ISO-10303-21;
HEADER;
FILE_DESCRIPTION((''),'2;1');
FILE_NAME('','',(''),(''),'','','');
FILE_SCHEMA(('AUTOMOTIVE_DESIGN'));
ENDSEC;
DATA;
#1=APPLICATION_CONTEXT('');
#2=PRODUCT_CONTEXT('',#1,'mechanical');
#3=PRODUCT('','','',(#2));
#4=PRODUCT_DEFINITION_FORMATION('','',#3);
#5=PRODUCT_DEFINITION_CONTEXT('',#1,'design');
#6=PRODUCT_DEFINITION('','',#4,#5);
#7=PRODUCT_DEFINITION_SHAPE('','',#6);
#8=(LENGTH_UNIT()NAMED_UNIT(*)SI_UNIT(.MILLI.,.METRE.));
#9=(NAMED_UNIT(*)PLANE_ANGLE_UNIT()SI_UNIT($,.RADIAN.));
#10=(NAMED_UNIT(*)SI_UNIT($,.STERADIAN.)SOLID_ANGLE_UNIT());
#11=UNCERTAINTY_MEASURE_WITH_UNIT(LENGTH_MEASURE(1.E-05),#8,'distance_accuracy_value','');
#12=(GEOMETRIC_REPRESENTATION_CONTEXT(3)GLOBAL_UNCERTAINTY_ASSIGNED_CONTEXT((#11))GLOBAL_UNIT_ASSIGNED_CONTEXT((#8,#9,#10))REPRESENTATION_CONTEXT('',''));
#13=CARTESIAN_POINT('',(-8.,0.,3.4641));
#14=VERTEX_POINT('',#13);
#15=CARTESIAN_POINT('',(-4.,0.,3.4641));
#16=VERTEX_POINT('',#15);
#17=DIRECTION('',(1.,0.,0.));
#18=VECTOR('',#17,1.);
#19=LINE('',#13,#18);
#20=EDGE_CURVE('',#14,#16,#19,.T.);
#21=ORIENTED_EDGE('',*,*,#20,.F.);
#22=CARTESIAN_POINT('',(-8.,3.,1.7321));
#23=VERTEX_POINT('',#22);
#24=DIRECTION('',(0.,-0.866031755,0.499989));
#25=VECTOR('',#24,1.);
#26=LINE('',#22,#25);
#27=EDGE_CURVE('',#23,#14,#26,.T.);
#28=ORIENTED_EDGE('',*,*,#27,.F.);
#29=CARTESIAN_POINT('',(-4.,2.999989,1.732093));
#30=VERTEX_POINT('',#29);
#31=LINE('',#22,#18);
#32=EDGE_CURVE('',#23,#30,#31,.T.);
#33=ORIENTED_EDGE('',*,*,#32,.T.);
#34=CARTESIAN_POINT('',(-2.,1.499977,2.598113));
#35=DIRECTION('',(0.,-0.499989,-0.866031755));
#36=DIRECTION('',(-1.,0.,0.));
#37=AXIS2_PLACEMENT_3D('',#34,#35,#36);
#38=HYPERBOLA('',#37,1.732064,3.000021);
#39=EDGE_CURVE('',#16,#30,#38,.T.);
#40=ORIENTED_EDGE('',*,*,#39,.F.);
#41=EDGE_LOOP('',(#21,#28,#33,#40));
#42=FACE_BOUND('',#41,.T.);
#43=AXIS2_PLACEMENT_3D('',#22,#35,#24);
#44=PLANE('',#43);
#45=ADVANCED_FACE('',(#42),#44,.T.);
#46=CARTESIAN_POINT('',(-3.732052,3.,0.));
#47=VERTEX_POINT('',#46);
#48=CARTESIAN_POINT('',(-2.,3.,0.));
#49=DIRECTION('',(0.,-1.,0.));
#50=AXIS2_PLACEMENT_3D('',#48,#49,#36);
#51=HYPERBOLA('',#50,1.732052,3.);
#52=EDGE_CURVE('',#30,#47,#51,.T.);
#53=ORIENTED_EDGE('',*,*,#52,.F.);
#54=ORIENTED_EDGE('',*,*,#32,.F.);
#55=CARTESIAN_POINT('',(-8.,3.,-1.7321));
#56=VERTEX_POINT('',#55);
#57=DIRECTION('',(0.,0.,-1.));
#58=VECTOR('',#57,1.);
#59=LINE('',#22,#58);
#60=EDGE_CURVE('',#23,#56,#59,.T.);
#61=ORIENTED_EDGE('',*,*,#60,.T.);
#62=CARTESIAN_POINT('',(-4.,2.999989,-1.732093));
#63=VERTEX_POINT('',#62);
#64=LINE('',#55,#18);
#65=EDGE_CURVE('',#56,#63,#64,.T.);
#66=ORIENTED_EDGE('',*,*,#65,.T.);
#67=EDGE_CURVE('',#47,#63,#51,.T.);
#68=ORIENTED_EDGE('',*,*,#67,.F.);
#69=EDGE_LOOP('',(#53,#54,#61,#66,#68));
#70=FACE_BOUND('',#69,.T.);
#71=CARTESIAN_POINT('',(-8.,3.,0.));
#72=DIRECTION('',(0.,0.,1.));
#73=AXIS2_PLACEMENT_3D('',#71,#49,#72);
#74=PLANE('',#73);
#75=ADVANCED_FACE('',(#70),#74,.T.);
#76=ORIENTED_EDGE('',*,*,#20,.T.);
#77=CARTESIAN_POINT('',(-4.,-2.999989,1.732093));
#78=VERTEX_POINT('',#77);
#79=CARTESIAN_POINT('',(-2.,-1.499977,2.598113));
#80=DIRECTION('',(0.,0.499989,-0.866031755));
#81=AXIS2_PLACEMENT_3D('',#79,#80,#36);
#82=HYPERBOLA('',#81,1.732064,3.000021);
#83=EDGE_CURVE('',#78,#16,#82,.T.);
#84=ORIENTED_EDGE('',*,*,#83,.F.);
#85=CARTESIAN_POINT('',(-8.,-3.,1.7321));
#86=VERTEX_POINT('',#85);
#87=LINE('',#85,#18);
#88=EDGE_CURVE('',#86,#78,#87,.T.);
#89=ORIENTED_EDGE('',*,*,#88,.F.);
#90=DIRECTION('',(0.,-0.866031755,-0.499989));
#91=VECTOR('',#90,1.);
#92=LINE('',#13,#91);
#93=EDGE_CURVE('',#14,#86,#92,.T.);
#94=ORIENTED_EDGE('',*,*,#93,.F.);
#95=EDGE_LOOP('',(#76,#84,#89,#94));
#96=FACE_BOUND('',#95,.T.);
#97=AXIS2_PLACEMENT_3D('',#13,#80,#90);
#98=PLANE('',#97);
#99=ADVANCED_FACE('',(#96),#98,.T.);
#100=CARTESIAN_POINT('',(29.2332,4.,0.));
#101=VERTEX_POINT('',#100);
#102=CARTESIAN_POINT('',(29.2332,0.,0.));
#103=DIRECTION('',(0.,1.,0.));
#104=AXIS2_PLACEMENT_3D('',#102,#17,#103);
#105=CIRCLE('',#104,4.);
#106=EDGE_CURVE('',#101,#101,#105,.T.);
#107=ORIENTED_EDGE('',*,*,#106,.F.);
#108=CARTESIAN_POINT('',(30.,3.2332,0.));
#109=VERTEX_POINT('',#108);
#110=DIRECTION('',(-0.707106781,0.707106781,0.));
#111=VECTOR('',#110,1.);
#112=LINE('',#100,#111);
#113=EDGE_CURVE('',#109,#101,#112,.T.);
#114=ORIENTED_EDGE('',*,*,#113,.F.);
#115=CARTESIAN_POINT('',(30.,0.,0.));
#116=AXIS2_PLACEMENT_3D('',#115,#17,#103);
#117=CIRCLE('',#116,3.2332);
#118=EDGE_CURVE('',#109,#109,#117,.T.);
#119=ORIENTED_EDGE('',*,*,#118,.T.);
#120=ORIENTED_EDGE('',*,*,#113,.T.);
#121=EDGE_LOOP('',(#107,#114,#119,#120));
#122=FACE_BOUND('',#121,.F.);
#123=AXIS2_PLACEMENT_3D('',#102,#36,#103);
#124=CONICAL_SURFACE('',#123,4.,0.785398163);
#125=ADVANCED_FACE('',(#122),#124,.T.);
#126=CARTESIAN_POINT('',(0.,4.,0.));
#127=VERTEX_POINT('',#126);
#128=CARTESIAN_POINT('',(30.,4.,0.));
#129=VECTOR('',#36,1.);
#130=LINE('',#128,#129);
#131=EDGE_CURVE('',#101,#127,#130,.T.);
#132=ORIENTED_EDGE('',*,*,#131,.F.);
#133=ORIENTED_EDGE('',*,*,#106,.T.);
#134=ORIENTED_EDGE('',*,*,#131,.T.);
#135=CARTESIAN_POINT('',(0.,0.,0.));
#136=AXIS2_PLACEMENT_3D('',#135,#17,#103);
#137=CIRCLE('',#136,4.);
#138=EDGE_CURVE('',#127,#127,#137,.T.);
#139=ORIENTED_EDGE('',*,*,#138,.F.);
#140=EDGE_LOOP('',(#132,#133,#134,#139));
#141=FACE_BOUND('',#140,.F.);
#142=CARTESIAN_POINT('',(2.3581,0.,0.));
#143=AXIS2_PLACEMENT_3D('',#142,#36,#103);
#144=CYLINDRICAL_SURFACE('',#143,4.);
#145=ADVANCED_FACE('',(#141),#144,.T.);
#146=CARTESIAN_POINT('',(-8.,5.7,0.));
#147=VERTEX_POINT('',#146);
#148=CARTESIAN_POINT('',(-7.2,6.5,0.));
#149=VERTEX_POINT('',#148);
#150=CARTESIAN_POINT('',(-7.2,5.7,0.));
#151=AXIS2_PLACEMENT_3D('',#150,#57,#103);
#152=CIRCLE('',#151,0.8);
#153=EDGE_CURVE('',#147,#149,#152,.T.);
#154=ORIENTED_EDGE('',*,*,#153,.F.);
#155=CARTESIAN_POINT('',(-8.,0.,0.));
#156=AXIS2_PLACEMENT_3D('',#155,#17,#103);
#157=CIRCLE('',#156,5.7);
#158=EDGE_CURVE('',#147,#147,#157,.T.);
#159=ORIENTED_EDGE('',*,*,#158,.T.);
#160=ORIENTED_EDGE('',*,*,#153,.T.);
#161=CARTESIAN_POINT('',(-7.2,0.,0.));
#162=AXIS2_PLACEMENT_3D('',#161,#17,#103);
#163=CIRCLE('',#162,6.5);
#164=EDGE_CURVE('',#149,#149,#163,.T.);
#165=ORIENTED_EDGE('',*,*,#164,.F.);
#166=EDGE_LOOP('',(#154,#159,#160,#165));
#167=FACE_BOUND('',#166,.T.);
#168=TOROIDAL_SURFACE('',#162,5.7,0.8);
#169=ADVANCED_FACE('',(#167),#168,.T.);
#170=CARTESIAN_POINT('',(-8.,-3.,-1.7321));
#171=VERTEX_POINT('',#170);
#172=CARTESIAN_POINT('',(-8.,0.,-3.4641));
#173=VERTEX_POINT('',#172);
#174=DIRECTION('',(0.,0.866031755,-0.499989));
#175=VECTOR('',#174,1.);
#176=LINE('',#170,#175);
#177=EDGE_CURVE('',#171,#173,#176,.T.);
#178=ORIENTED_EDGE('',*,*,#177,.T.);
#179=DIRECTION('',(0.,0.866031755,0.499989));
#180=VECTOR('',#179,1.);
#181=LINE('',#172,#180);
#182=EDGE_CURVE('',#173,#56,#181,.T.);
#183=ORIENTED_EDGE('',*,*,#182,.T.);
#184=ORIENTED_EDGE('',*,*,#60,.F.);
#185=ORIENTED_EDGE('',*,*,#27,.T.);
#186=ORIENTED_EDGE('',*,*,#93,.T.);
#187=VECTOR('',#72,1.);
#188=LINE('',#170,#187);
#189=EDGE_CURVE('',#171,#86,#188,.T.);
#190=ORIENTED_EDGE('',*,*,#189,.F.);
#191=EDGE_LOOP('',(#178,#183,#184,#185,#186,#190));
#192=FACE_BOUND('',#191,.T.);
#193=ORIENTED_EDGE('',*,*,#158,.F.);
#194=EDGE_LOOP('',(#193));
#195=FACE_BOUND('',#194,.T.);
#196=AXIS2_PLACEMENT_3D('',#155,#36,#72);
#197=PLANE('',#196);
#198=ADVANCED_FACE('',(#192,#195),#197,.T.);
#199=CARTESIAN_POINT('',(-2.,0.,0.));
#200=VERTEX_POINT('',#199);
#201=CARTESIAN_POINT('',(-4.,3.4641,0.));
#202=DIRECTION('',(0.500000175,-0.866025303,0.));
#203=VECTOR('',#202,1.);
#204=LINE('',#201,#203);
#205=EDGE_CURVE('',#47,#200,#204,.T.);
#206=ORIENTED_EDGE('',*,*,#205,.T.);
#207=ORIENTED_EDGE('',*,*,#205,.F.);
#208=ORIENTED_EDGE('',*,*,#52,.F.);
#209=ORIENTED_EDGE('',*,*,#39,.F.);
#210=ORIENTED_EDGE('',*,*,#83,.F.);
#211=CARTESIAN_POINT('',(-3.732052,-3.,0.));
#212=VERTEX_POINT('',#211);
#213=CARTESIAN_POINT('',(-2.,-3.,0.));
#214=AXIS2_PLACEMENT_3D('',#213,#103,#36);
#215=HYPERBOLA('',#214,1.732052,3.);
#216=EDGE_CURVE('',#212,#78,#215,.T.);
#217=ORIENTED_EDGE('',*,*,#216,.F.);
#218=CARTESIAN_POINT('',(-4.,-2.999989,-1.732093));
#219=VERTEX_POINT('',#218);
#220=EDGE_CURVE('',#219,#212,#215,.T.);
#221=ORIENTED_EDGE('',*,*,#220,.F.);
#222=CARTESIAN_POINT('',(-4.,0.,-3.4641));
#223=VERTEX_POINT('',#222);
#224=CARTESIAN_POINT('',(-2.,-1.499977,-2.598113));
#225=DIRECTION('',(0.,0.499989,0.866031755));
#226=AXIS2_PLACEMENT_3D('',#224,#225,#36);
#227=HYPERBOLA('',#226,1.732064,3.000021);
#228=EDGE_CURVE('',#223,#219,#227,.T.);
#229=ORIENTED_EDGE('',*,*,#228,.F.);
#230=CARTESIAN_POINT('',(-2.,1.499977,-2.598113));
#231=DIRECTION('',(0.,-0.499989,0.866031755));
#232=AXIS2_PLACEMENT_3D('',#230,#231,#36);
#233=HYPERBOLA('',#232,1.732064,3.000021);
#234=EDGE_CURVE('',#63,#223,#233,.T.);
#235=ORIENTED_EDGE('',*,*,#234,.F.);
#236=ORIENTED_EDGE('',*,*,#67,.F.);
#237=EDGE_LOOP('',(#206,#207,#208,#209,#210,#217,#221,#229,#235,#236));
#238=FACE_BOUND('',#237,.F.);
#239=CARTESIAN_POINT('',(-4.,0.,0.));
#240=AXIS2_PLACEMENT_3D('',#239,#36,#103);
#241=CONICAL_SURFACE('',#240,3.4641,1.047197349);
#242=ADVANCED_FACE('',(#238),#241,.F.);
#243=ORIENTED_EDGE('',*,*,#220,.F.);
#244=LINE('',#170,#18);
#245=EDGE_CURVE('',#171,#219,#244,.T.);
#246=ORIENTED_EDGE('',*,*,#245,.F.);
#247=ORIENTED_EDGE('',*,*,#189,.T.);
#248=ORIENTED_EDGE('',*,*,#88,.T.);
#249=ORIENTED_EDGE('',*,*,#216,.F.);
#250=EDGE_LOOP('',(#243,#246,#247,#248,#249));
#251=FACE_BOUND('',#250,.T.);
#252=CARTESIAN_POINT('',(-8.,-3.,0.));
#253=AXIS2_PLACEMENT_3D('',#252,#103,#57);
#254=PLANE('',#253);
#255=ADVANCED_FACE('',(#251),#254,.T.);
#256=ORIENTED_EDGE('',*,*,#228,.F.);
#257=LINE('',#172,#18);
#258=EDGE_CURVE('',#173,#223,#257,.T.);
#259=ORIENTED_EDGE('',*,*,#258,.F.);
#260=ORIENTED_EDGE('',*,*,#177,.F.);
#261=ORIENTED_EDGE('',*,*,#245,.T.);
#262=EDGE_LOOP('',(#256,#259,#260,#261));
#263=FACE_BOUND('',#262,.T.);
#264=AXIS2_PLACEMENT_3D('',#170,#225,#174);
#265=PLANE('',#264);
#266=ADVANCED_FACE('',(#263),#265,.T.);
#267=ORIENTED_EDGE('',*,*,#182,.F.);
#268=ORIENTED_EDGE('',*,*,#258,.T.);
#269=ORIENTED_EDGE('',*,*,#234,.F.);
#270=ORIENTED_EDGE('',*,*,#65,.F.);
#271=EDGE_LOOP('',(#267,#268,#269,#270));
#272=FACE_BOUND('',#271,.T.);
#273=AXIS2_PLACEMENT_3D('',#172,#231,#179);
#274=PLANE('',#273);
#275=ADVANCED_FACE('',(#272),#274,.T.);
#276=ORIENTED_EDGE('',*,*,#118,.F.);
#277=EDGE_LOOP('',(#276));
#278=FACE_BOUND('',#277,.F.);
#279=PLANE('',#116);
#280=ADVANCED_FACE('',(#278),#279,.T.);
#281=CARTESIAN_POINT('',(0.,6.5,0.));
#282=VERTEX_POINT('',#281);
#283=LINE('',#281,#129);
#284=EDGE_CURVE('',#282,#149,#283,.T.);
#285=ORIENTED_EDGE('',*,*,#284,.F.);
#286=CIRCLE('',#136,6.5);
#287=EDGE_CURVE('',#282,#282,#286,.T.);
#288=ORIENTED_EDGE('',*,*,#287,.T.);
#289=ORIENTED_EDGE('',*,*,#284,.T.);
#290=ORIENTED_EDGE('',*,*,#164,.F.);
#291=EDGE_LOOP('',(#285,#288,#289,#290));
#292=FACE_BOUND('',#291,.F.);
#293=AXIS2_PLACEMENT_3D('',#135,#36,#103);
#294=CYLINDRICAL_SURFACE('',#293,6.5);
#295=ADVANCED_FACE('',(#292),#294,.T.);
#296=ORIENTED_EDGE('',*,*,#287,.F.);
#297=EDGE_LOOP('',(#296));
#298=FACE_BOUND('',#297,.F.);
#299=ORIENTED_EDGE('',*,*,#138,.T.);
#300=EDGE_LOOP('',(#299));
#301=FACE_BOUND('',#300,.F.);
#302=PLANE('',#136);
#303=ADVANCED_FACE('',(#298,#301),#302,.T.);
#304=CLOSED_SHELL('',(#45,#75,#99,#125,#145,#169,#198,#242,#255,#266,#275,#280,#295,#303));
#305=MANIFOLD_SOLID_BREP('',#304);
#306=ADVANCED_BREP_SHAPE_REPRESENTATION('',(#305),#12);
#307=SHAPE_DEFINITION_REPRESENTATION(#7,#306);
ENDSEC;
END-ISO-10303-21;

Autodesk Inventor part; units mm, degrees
ref_plane "YZ Plane" through (0, 0, 0) normal (1, 0, 0) x (0, 1, 0)
ref_plane "XZ Plane" through (0, 0, 0) normal (0, 1, 0) x (-1, 0, 0)
sketch "Sketch1" plane through (0, 0, 0) normal (0, 0, 1) x (1, 0, 0)
  line L0 (-2, 0) -> (30, 0)
  line L1 (30, 0) -> (30, 4)
  line L2 (30, 4) -> (3.125, 4)
  line L3 (3.125, 4) -> (2.3581, 4)
  line L4 (2.3581, 4) -> (0, 4)
  line L5 (0, 4) -> (0, 6.5)
  line L6 (0, 6.5) -> (-8, 6.5)
  line L7 (-8, 6.5) -> (-8, 3.4641)
  line L8 (-8, 3.4641) -> (-4, 3.4641)
  line L9 (-4, 3.4641) -> (-2, 0)
  line L10 (-11.8, 0) -> (41.4, 0) projected
  line L11 (0, -0.65) -> (0, 8.45) projected
  line L12 (3.125, 4) -> (0, 4) construction
  dimension "d1" = 26.875
  dimension "d2" = 0.7669
  dimension "d3" = 8
  dimension "d4" = 4
  dimension "d5" = 60
  dimension "d6" = 8
  dimension "d7" = 8
  dimension "d8" = 6.9282
  dimension "d9" = 13
  dimension "d26" = 30
revolve "Body" add sketch "Sketch1" angle 360 about axis through (-2, 0, 0) along (1, 0, 0)
sketch "Sketch2" plane through (-8, 0, 0) normal (-1, 0, 0) x (0, 0, 1)
  circle A0 centre (0, 0) radius 3.4641 projected
  line L0 (0, -7.8) -> (0, 10.4) projected
  line L1 (-7.8, 0) -> (10.4, 0) projected
  line L2 (3.4641, 0) -> (1.7321, -3)
  line L3 (1.7321, -3) -> (-1.7321, -3)
  line L4 (-1.7321, -3) -> (-3.4641, 0)
  line L5 (-3.4641, 0) -> (-1.7321, 3)
  line L6 (-1.7321, 3) -> (1.7321, 3)
  line L7 (1.7321, 3) -> (3.4641, 0)
extrude "Slot" add sketch "Sketch2" against normal up to next contours L7 A0 | A0 L2 | L6 L0 A0 | A0 L0 L3 | L0 L6 A0 | A0 L3 L0 | L4 A0 | A0 L5
fillet "Fillet1" radius 0.8 1 edges at (-8, -6.5, 0)
thread "Thread" size "M8x1.25" class "6g" standard "ISO Metric profile" length 26.875
chamfer "Chamfer1" distance 0.7668 distance2 0.7668 1 edges at (30, -4, 0) measured on face at (30, -0.4013, -0.6579)
ref_plane "Work Plane1" through (29, 0, 0) normal (0, -1, 0) x (1, 0, 0)
equation "\"d1\" = GEL"
equation "\"d3\" = KOH"
equation "\"d4\" = INTI"
equation "\"d6\" = GD"
equation "\"d7\" = BDM"
equation "\"d8\" = 1.1547 * SW"
equation "\"d9\" = KOD"
equation "\"d26\" = NLG"
equation "\"d17\" = RR"
equation "\"d13\" = GEL"
equation "\"d15\" = -0.5 * SPD + 0.5 * GD"
equation "\"d16\" = GUL"
equation "\"GD\" = 8"
equation "\"NLG\" = 30"
equation "\"GEL\" = 26.875"
equation "\"KOD\" = 13"
equation "\"KOH\" = 8"
equation "\"INTI\" = 4"
equation "\"GAL\" = 0.61345 * PTC"
equation "\"GUL\" = 0.61345 * PTC"
equation "\"BDM\" = NND"
equation "\"SW\" = 6"
equation "\"RR\" = 0.8"
equation "\"SPD\" = NND - 1.2269 * PTC"
equation "\"TOA\" = 30deg"
equation "\"GD1\" = THREADDIA - 1.2269 * PTC"
equation "\"THREADDIA\" = 8"
equation "\"FAWI\" = 45deg"
equation "\"PTC\" = 1.25"
equation "\"NND\" = 8"
equation "\"E0\" = 1.155 * SW"
properties part number "100001" material "Steel, Mild"
